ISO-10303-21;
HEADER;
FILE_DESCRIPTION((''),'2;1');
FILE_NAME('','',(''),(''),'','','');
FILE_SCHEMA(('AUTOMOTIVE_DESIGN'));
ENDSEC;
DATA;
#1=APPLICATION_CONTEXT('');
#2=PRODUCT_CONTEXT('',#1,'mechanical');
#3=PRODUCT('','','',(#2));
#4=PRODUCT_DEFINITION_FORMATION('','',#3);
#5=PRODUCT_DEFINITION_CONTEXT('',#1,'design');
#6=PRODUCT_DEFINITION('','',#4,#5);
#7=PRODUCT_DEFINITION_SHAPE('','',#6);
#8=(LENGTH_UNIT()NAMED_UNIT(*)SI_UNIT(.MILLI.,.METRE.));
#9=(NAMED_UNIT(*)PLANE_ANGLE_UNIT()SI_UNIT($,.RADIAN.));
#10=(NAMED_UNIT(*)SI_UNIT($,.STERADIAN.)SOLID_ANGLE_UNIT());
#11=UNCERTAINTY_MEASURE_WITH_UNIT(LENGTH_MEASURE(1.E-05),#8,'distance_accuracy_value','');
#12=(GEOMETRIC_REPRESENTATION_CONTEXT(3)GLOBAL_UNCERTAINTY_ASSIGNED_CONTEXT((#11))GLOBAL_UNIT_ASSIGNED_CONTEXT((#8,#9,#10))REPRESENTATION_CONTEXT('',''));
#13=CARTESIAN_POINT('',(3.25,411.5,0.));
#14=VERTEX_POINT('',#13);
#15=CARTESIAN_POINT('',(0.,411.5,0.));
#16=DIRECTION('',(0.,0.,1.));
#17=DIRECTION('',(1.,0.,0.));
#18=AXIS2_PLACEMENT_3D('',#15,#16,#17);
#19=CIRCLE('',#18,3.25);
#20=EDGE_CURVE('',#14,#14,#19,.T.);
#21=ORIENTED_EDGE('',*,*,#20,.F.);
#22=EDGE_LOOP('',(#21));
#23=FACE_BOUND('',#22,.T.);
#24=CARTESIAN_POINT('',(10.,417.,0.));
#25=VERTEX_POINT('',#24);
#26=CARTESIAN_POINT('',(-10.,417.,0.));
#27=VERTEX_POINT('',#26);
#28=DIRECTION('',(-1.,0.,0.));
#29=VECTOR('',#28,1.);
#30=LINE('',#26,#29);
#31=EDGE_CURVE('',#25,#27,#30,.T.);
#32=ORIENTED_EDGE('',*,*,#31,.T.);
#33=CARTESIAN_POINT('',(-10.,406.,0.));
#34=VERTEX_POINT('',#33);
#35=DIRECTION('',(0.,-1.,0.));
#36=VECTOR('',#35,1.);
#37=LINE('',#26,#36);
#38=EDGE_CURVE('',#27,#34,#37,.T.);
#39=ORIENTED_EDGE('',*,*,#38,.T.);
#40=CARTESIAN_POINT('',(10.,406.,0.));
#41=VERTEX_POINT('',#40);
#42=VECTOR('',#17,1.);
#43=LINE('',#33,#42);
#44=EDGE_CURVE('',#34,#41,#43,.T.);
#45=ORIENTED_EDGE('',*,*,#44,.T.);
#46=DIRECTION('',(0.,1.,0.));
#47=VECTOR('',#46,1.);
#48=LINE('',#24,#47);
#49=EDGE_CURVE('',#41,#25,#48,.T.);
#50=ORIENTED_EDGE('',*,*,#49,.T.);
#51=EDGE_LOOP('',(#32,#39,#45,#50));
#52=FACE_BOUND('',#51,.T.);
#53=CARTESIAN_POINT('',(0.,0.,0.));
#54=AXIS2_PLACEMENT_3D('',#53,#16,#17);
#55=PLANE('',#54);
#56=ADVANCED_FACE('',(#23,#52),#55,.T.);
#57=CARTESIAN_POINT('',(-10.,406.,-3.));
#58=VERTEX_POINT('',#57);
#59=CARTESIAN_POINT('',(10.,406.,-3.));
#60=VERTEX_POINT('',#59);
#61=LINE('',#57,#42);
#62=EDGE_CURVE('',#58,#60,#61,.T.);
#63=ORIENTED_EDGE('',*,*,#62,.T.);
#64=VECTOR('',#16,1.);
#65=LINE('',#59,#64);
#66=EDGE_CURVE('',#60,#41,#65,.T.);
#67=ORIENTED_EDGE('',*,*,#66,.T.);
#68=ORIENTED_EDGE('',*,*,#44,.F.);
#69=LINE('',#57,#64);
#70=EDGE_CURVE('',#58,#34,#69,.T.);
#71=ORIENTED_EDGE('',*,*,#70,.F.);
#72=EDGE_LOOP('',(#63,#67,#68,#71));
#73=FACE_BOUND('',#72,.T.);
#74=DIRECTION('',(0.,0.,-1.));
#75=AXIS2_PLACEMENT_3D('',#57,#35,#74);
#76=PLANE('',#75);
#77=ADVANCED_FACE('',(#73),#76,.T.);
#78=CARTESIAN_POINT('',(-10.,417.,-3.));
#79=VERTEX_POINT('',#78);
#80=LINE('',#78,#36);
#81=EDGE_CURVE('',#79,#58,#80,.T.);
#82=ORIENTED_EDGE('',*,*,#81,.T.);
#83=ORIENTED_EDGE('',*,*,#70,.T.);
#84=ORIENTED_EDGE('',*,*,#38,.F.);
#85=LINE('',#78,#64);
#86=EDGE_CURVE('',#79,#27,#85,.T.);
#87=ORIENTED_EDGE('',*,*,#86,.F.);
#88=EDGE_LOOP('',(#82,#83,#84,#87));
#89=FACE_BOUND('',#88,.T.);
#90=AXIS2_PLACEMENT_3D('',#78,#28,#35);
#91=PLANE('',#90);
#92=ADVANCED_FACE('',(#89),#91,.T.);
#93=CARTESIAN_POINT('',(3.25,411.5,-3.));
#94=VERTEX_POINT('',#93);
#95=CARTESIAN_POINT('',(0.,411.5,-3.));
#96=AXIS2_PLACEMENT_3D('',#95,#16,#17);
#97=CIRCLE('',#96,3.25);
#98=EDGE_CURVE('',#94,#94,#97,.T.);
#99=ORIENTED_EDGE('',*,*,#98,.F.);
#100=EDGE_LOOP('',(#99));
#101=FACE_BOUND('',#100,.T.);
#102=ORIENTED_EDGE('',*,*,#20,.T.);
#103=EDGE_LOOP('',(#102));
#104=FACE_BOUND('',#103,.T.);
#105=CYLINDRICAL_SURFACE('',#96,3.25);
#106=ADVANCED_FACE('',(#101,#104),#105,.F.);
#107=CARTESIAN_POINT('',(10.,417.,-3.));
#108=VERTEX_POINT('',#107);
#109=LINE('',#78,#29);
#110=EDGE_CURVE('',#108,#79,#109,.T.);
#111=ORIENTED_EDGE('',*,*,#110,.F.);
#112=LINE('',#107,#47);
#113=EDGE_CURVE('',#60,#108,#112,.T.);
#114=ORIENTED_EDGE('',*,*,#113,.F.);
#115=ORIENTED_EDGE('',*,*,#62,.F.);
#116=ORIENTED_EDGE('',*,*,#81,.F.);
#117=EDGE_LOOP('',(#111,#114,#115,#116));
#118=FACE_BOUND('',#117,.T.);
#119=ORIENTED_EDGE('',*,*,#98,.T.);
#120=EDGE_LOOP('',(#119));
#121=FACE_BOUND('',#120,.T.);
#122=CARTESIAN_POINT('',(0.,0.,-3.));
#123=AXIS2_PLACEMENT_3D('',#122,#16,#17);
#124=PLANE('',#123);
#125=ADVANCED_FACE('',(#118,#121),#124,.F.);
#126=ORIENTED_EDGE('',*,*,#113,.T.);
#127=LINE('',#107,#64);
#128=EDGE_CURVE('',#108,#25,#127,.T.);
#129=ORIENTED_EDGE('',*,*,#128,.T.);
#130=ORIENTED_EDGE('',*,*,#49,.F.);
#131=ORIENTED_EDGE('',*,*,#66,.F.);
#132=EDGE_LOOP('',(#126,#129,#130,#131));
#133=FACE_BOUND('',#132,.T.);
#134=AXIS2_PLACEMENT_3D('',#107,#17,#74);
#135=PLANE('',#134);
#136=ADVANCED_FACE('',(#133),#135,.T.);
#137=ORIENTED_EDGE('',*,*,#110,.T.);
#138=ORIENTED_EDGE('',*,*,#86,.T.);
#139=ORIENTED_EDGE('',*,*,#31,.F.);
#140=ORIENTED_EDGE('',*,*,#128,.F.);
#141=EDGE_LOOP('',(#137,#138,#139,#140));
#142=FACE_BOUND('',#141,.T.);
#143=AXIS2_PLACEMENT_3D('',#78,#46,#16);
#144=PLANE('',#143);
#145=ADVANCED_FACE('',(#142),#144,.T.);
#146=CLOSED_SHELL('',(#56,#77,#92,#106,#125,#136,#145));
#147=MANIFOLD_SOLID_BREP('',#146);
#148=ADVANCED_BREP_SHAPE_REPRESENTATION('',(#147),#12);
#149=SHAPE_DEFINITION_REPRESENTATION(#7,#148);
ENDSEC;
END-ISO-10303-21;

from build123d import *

# Parameters (mm, degrees)
SKETCH_1_W      = 20
SKETCH_1_H      = 11
SKETCH_1_R      = 3.25
EXTRUDE_1_DEPTH = 3


with BuildPart() as part:
    # Эскиз1 → Бобышка-Вытянуть1 (new body)
    with BuildSketch(Plane.XY):
        with Locations((0, 411.5)):
            Rectangle(SKETCH_1_W, SKETCH_1_H)
        with Locations((0, 411.5)):
            Circle(SKETCH_1_R, mode=Mode.SUBTRACT)
    extrude(amount=-EXTRUDE_1_DEPTH)


solid = part.part
